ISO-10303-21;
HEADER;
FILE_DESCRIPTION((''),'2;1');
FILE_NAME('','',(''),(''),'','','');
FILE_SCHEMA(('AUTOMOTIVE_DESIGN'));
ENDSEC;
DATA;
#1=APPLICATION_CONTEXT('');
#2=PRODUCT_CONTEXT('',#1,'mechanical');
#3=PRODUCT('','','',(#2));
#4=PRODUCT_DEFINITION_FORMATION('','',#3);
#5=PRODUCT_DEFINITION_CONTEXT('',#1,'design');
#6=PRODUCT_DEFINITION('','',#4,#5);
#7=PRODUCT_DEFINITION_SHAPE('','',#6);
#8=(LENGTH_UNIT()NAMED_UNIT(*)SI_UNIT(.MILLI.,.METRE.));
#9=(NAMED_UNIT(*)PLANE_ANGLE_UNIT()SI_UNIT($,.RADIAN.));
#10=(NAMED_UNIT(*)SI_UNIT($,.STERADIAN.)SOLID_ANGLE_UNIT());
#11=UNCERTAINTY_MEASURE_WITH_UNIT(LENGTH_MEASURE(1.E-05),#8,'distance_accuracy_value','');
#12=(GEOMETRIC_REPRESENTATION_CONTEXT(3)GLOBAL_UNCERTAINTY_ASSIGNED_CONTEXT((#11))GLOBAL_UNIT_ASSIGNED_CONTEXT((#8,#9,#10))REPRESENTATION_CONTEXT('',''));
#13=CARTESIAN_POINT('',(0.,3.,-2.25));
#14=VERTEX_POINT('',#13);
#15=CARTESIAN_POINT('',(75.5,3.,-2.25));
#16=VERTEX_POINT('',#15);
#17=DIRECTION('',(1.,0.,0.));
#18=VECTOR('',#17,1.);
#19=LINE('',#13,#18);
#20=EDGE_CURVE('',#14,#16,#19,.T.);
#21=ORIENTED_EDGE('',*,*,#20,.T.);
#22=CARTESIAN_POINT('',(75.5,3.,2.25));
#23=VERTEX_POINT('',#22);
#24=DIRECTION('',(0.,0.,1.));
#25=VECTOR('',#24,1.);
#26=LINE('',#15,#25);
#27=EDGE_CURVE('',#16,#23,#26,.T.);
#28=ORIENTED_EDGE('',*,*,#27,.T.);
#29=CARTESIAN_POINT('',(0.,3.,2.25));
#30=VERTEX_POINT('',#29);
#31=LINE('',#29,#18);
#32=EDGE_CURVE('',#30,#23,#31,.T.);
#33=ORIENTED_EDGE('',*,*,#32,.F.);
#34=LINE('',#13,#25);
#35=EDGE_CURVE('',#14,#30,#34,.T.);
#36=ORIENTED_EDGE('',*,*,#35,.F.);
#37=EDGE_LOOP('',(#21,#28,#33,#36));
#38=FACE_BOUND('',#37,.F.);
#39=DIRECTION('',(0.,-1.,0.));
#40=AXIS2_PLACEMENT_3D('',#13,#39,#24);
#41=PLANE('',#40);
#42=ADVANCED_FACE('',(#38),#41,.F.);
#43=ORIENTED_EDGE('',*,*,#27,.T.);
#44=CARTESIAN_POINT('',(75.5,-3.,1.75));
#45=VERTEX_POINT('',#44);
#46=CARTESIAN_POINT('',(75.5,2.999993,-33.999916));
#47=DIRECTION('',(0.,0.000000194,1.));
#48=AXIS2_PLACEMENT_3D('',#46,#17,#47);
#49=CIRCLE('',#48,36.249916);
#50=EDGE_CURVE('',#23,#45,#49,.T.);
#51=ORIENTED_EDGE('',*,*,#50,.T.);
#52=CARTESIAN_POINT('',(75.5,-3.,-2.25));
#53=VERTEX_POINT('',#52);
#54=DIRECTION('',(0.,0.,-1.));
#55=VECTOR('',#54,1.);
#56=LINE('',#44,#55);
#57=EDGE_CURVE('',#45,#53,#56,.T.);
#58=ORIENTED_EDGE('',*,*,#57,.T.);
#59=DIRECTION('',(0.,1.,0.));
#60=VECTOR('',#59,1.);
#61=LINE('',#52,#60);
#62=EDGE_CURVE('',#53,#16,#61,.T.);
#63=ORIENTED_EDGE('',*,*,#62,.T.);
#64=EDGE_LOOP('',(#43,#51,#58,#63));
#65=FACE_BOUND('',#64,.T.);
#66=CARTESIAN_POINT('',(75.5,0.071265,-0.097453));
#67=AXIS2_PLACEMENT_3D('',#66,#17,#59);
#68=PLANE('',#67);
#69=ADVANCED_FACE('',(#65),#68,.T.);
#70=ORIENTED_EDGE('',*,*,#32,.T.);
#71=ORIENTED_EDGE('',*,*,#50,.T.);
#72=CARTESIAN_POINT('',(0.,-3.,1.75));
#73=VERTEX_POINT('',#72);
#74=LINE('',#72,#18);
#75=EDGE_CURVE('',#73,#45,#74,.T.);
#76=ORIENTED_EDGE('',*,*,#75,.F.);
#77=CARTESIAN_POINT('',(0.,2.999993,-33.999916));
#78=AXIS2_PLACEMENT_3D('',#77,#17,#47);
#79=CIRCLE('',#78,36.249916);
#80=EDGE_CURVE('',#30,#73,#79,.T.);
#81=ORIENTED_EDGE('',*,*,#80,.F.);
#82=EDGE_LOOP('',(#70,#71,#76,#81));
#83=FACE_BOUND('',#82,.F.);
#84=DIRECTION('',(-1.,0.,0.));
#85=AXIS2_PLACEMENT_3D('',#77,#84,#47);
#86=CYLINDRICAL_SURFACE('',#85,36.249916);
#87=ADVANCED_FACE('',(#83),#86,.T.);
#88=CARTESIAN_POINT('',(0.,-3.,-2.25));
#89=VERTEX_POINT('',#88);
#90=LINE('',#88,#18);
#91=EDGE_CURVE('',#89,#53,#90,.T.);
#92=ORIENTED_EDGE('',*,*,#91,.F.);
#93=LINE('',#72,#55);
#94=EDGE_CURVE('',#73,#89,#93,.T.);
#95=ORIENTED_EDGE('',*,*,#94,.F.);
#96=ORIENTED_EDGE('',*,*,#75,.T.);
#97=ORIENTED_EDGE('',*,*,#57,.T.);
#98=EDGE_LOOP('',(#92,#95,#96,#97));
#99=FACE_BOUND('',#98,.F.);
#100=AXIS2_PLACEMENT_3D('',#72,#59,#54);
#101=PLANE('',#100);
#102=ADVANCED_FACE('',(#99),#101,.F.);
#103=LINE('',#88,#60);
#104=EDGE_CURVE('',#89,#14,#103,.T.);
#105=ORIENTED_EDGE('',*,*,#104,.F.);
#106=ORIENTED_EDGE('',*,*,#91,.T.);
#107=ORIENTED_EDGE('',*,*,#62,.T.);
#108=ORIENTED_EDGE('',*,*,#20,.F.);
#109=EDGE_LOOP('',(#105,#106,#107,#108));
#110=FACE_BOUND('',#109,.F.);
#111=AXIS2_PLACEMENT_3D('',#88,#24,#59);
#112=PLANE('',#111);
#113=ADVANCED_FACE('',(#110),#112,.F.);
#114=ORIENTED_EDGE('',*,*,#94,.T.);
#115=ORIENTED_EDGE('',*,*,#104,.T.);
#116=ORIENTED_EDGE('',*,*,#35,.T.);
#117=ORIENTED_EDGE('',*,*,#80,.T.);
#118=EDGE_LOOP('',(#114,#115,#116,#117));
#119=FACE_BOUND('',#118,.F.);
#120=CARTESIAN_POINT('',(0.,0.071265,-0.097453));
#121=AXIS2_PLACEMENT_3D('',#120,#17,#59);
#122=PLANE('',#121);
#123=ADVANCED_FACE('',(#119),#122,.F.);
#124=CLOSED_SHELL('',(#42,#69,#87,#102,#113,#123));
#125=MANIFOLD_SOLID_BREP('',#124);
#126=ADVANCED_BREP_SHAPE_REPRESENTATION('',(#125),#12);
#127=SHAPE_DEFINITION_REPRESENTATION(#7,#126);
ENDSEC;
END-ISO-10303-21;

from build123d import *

# Parameters (mm, degrees)
PAD_DEPTH = 75.5


with BuildPart() as part:
    # Sketch → Pad (new body)
    with BuildSketch(Plane.YZ):
        with BuildLine():
            Line((-3, -2.25), (3, -2.25))
            Line((3, -2.25), (3, 2.25))
            ThreePointArc((3, 2.25), (-0.010399, 2.124784), (-3, 1.75))
            Line((-3, 1.75), (-3, -2.25))
        make_face()
    extrude(amount=PAD_DEPTH)


solid = part.part
